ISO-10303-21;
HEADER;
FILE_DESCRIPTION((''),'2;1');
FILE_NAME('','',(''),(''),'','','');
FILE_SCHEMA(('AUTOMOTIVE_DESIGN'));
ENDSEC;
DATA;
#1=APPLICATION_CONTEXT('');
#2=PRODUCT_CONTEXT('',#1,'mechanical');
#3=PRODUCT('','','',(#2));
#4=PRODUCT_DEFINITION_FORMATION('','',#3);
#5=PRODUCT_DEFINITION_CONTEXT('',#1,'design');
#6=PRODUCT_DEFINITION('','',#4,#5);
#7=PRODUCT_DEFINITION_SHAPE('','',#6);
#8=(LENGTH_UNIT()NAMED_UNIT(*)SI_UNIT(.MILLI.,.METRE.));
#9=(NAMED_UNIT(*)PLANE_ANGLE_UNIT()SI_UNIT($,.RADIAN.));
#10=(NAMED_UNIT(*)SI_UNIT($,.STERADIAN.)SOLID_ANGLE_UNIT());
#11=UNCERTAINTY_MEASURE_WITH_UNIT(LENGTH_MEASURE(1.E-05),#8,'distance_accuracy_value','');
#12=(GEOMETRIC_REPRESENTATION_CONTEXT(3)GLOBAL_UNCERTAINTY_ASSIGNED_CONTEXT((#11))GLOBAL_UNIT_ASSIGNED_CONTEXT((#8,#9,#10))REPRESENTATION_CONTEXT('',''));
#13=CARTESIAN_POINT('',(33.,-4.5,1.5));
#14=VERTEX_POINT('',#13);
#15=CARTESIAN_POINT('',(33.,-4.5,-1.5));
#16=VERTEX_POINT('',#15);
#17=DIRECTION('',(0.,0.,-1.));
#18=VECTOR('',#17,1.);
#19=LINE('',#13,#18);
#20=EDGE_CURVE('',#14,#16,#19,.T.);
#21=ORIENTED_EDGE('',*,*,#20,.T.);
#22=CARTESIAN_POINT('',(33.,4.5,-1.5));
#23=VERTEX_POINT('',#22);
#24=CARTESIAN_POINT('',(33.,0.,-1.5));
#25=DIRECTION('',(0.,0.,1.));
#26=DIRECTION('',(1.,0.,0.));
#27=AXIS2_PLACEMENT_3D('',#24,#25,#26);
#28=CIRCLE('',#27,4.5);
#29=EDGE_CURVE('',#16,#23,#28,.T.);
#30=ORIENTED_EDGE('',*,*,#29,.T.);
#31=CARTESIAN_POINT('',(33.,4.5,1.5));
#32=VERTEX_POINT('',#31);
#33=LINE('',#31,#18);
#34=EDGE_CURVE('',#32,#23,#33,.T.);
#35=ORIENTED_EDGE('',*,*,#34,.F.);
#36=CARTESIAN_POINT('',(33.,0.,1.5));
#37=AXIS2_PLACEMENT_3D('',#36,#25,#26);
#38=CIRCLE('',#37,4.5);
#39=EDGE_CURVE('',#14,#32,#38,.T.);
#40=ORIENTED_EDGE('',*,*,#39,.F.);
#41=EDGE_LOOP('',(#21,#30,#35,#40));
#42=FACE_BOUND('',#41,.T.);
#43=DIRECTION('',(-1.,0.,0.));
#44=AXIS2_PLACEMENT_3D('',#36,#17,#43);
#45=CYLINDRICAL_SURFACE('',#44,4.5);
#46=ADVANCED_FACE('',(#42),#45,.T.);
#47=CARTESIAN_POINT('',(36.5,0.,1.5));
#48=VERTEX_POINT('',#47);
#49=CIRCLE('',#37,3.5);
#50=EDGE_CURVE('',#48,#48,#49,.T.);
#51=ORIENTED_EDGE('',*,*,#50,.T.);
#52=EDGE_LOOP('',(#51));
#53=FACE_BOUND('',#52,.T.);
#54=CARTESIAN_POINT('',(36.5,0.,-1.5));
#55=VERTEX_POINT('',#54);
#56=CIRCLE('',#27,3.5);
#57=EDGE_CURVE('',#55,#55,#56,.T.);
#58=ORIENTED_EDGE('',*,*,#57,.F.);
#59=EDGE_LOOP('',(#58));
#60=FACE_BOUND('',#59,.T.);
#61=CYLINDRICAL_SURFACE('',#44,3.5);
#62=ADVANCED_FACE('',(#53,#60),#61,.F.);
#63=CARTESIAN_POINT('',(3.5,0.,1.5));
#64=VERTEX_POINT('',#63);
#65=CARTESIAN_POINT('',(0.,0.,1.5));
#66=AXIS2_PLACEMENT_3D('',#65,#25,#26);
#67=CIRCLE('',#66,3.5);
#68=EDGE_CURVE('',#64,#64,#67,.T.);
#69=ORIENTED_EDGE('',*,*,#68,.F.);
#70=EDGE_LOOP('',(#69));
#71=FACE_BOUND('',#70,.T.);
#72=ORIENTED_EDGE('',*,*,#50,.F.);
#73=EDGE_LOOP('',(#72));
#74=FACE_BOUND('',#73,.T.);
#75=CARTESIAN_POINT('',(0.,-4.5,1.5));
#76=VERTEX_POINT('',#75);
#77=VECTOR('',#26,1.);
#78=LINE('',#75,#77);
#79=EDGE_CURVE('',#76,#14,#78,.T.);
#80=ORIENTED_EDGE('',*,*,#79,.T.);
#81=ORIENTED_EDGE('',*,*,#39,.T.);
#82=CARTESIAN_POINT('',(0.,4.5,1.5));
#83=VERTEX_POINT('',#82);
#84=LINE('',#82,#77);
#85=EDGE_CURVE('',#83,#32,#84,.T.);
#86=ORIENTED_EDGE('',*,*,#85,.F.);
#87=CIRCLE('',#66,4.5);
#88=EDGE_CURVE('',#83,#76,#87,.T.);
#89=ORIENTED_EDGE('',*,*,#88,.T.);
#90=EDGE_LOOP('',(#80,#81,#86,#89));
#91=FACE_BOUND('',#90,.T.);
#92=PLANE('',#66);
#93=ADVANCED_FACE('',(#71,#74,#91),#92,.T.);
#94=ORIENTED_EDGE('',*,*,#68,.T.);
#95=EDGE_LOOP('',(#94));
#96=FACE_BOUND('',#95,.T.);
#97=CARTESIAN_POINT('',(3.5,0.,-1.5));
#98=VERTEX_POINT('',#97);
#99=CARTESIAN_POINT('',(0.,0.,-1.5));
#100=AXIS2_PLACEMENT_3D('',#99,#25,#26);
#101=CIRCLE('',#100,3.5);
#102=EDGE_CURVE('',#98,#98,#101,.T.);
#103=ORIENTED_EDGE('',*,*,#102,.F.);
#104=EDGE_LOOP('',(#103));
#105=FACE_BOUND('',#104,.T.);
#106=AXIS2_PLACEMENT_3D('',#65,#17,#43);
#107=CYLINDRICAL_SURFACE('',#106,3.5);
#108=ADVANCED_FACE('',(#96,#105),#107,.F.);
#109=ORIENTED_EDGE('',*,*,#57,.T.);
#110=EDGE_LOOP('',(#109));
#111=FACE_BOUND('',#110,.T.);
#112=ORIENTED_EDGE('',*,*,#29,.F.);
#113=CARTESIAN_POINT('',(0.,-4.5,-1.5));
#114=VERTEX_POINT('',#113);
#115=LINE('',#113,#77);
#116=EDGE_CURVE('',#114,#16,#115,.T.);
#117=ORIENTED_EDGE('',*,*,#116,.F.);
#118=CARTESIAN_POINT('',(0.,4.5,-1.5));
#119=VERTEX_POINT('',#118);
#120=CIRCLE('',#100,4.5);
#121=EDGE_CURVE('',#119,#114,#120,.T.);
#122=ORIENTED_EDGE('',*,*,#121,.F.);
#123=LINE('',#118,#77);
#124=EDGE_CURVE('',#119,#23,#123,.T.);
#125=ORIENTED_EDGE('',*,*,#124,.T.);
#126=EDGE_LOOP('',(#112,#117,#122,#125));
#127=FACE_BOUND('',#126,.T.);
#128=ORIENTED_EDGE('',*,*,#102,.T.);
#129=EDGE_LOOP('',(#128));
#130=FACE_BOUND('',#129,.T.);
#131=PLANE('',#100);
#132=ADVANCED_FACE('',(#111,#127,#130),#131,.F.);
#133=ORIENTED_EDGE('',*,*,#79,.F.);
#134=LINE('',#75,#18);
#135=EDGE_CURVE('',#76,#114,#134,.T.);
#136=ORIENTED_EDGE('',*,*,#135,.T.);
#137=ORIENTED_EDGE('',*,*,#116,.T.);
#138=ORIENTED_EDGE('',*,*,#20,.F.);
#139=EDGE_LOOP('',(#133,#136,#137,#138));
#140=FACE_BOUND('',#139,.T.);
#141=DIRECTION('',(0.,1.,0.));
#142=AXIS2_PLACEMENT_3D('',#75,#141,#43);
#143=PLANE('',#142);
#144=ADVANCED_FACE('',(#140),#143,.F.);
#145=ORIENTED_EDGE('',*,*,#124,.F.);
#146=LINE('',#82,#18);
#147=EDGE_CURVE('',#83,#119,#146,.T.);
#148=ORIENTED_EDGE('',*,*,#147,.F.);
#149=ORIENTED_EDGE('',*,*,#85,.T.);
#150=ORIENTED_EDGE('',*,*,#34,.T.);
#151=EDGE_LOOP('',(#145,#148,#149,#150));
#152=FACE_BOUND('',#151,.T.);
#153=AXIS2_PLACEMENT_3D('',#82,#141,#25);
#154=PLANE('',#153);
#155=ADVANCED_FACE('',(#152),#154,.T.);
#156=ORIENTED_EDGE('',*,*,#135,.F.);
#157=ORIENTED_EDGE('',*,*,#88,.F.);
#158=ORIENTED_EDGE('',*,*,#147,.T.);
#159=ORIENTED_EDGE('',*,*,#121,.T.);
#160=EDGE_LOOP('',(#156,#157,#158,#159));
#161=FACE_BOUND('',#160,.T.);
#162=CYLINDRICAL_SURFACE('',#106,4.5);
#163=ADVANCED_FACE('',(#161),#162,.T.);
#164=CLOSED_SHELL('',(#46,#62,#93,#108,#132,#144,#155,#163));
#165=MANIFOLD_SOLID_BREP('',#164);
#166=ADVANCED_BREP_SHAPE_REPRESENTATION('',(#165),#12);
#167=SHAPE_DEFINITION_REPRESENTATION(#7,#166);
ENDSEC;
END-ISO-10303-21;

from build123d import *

# Parameters (mm, degrees)
SKETCH_1_R      = 3.5
EXTRUDE_1_DEPTH = 1.5


with BuildPart() as part:
    # 草图1 → 凸台-拉伸1 (new, symmetric)
    with BuildSketch(Plane.XY):
        with BuildLine():
            Line((33, 4.5), (0, 4.5))
            ThreePointArc((0, 4.5), (-4.5, 0), (0, -4.5))
            Line((0, -4.5), (33, -4.5))
            ThreePointArc((33, -4.5), (37.5, 0), (33, 4.5))
        make_face()
        with Locations((33, 0)):
            Circle(SKETCH_1_R, mode=Mode.SUBTRACT)
        Circle(SKETCH_1_R, mode=Mode.SUBTRACT)
    extrude(amount=EXTRUDE_1_DEPTH, both=True)


solid = part.part
